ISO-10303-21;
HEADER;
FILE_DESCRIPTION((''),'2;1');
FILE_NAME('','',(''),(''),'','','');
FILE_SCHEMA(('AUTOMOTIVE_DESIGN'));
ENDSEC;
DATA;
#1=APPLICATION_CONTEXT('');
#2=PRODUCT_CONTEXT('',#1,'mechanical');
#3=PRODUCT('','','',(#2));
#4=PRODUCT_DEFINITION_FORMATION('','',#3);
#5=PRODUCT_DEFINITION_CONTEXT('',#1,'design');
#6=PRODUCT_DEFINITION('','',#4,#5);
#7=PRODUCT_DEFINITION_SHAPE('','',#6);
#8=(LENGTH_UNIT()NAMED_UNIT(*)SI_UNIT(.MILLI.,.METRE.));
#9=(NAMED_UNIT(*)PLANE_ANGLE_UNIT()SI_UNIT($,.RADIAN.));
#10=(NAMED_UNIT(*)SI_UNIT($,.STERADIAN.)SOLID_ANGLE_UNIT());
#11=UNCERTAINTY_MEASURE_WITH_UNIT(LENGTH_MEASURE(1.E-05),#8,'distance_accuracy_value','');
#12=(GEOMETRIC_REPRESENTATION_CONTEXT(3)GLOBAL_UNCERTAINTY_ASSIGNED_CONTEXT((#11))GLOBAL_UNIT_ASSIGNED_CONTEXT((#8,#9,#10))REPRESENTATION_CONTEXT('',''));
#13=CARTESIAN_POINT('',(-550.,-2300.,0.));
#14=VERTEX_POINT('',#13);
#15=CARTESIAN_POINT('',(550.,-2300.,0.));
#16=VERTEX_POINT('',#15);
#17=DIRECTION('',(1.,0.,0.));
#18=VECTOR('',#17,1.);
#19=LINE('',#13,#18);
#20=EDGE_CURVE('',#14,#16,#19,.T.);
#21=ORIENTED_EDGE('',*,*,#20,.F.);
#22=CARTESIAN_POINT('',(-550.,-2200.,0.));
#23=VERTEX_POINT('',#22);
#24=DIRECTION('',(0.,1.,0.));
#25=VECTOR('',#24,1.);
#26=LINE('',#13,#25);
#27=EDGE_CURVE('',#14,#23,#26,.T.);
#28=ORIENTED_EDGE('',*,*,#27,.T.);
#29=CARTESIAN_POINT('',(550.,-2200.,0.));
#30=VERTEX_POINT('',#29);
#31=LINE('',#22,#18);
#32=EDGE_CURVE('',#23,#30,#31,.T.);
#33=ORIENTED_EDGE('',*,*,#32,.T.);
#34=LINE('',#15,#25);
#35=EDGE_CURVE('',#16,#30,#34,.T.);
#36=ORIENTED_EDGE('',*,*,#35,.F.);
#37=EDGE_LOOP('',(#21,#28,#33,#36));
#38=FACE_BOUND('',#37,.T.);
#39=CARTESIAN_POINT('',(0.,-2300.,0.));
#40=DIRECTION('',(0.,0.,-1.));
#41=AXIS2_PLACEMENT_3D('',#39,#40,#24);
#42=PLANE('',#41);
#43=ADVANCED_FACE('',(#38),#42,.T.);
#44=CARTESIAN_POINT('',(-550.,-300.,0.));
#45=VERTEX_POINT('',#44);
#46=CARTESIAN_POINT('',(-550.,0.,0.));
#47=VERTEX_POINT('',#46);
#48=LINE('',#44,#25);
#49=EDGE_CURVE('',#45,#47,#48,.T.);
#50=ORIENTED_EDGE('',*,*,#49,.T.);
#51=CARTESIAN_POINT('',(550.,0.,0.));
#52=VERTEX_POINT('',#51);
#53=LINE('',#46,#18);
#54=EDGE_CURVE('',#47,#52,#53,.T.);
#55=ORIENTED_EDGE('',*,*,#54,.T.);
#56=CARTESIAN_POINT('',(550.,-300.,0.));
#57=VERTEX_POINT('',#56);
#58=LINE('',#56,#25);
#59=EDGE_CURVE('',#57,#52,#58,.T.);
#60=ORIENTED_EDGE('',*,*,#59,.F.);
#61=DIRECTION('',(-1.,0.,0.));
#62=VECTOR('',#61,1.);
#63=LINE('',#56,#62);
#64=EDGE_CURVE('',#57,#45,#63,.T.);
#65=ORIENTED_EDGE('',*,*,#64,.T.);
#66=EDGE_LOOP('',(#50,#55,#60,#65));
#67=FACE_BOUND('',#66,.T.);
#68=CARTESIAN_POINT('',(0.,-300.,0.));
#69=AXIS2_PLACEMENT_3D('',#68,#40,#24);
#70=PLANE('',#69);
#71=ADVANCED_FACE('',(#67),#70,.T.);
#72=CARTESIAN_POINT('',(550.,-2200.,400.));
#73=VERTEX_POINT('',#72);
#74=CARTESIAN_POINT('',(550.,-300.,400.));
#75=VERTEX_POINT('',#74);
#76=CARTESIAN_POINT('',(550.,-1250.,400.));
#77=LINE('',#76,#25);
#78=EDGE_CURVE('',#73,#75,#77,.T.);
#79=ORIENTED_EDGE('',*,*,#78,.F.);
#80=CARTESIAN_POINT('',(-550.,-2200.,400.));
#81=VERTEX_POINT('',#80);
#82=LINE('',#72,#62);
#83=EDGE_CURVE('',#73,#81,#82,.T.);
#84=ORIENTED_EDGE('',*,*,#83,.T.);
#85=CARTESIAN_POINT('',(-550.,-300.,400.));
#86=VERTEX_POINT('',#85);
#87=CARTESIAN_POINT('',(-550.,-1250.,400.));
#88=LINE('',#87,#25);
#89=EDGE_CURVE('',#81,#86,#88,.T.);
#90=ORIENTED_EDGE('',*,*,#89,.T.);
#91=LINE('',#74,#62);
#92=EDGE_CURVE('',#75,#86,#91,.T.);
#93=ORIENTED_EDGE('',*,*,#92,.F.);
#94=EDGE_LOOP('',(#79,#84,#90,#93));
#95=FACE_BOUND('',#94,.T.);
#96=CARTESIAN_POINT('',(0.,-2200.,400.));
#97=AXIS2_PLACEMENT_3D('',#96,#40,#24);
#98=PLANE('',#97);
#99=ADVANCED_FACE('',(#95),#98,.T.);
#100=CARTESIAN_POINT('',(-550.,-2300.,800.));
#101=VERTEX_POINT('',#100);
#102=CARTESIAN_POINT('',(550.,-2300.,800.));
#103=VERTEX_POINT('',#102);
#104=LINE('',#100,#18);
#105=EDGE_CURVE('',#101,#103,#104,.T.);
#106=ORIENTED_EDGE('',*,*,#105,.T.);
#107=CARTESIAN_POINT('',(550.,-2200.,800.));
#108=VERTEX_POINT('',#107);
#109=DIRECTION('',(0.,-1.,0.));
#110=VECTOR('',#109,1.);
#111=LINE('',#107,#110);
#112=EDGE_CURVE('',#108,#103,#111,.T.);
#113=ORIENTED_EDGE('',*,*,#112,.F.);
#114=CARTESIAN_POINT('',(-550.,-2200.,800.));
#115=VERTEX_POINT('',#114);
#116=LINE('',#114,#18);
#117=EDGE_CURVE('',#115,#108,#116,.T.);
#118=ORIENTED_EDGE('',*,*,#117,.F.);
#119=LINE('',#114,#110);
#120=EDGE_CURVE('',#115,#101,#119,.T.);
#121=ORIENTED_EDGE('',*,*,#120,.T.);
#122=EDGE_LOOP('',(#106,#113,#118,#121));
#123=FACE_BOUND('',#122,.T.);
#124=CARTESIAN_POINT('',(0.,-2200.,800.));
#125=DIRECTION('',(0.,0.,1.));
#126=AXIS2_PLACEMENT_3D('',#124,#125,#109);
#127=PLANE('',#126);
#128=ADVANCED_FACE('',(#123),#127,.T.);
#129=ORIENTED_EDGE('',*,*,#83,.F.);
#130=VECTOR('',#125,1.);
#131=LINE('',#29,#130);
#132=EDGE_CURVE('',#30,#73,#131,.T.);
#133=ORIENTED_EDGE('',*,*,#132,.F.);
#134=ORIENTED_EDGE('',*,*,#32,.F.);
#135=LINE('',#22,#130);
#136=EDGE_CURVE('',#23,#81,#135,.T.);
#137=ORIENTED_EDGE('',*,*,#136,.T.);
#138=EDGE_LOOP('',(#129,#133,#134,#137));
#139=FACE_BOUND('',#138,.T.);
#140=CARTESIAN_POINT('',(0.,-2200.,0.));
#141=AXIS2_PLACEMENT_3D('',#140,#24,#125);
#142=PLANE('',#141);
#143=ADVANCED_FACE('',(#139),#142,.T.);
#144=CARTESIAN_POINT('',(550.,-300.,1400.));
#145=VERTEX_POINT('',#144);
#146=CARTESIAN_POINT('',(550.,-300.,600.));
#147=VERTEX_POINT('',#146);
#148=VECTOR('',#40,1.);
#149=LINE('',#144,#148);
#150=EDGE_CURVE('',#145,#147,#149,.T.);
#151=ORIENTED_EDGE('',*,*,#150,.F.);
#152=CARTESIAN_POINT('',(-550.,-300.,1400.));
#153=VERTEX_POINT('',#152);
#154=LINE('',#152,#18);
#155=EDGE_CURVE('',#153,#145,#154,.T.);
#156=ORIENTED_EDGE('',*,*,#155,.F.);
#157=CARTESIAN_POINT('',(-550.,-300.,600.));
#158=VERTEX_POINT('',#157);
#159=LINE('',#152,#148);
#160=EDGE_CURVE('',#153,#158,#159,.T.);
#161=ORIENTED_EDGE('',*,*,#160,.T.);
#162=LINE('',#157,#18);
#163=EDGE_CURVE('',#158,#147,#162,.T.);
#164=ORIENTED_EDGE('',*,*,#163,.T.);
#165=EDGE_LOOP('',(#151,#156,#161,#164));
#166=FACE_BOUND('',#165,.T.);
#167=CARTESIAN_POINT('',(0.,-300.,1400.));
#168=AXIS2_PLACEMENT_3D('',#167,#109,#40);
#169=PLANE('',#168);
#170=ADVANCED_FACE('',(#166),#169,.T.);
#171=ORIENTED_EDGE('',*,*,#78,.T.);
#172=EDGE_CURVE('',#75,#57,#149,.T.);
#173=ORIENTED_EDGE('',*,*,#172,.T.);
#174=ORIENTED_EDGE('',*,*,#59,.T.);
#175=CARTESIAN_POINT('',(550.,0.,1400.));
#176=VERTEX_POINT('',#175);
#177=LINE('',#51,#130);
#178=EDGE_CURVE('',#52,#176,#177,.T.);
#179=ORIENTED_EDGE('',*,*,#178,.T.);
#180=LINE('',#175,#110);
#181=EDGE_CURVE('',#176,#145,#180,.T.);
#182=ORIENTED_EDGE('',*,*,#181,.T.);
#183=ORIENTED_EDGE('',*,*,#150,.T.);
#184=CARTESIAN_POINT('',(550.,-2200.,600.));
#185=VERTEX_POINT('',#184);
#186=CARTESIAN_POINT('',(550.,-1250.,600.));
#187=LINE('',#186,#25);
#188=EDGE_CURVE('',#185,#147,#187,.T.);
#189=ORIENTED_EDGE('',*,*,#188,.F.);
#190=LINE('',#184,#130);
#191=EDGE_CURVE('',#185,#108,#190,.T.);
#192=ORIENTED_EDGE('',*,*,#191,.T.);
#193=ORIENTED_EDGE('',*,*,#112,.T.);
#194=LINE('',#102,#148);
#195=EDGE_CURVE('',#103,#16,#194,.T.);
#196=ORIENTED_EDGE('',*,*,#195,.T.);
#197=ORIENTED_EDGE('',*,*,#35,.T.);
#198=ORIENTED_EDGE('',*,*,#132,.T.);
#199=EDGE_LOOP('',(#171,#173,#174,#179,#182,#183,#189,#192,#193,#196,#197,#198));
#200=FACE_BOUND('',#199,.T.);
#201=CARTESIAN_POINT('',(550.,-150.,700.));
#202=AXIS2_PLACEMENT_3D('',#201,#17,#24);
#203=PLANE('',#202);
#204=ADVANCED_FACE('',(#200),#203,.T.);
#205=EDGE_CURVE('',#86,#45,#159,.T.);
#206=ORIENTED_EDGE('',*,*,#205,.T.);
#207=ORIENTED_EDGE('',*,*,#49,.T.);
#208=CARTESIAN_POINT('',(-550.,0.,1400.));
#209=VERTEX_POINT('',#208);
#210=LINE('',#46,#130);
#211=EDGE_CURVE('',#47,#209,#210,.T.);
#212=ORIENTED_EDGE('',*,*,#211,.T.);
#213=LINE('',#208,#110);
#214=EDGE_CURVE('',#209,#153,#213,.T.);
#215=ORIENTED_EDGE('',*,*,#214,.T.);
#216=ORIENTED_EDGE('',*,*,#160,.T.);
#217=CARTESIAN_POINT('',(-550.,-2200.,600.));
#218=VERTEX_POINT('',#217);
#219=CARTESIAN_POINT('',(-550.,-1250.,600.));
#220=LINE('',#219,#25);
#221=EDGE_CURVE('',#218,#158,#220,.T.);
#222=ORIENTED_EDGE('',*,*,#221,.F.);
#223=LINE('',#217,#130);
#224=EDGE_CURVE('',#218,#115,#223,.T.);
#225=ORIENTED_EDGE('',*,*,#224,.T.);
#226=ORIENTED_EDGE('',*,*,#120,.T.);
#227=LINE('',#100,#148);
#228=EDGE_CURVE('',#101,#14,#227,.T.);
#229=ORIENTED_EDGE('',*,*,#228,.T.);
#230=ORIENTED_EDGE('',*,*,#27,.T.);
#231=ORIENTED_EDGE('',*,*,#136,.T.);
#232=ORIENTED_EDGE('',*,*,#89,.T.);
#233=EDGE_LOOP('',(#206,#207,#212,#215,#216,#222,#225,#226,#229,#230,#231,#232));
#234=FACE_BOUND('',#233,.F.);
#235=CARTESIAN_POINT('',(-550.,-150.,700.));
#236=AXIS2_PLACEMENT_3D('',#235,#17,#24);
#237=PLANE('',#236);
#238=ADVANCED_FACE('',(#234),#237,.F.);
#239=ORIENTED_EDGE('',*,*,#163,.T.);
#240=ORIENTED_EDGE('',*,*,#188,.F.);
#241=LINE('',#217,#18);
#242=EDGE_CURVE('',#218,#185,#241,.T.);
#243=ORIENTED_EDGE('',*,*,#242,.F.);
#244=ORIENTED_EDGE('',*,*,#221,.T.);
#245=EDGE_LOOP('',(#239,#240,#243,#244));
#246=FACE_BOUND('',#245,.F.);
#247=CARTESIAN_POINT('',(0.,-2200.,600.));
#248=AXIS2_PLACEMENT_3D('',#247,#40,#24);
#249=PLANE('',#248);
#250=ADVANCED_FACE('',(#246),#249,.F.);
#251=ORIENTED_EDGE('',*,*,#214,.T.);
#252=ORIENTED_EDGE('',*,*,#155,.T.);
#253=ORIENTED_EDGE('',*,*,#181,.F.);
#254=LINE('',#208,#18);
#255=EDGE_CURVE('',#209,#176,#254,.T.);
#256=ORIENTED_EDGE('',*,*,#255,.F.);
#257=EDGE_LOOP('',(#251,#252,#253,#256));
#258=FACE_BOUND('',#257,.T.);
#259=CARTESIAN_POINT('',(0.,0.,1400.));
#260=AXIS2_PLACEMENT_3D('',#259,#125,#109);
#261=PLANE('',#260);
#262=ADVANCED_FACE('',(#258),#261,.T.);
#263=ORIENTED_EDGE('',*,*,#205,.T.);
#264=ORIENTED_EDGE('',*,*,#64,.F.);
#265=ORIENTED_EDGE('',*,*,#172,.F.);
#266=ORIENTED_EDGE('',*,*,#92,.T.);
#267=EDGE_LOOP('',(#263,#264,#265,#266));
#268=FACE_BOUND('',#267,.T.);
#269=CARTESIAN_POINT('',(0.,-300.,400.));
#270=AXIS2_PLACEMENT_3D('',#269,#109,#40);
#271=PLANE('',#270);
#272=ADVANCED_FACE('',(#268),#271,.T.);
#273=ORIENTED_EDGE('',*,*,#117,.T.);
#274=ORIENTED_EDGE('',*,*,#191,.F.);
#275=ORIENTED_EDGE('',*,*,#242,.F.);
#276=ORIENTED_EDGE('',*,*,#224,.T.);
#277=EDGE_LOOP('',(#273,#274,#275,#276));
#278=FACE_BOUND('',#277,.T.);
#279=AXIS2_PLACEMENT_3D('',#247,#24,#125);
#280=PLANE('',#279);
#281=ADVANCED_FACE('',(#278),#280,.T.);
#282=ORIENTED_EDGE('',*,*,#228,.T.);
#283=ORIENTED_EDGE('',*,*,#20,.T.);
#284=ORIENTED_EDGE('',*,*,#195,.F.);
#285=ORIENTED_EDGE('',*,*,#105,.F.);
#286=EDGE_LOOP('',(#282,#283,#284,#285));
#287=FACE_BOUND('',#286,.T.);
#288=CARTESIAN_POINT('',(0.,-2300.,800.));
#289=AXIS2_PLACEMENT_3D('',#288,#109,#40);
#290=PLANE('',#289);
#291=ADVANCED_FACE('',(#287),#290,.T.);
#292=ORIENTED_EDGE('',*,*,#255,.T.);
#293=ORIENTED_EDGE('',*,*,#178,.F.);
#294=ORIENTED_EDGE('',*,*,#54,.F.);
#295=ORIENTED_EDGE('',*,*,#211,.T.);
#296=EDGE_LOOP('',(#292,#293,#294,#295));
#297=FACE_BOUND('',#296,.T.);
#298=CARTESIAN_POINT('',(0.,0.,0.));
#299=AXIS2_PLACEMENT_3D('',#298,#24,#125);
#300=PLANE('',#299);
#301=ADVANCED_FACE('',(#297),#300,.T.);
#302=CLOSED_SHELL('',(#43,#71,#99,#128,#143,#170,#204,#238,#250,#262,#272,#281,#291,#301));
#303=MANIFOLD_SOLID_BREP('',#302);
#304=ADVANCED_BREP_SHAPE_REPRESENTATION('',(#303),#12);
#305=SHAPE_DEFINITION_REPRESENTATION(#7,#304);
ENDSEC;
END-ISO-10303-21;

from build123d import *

# Parameters (mm, degrees)
F0_W     = 1900
F0_H     = 200
F1_DEPTH = 550


with BuildPart() as f1:
    # F0 (on Right) → F1 (new body, symmetric)
    with BuildSketch(Plane.YZ):
        Polygon((-300, 0), (0, 0), (0, 1400), (-300, 1400), (-300, 600), (-300, 400), align=None)
        with Locations((-1250, 500)):
            Rectangle(F0_W, F0_H)
        Polygon((-2200, 0), (-2200, 400), (-2200, 600), (-2200, 800), (-2300, 800), (-2300, 0), align=None)
    extrude(amount=F1_DEPTH, both=True)


solid = f1.part
